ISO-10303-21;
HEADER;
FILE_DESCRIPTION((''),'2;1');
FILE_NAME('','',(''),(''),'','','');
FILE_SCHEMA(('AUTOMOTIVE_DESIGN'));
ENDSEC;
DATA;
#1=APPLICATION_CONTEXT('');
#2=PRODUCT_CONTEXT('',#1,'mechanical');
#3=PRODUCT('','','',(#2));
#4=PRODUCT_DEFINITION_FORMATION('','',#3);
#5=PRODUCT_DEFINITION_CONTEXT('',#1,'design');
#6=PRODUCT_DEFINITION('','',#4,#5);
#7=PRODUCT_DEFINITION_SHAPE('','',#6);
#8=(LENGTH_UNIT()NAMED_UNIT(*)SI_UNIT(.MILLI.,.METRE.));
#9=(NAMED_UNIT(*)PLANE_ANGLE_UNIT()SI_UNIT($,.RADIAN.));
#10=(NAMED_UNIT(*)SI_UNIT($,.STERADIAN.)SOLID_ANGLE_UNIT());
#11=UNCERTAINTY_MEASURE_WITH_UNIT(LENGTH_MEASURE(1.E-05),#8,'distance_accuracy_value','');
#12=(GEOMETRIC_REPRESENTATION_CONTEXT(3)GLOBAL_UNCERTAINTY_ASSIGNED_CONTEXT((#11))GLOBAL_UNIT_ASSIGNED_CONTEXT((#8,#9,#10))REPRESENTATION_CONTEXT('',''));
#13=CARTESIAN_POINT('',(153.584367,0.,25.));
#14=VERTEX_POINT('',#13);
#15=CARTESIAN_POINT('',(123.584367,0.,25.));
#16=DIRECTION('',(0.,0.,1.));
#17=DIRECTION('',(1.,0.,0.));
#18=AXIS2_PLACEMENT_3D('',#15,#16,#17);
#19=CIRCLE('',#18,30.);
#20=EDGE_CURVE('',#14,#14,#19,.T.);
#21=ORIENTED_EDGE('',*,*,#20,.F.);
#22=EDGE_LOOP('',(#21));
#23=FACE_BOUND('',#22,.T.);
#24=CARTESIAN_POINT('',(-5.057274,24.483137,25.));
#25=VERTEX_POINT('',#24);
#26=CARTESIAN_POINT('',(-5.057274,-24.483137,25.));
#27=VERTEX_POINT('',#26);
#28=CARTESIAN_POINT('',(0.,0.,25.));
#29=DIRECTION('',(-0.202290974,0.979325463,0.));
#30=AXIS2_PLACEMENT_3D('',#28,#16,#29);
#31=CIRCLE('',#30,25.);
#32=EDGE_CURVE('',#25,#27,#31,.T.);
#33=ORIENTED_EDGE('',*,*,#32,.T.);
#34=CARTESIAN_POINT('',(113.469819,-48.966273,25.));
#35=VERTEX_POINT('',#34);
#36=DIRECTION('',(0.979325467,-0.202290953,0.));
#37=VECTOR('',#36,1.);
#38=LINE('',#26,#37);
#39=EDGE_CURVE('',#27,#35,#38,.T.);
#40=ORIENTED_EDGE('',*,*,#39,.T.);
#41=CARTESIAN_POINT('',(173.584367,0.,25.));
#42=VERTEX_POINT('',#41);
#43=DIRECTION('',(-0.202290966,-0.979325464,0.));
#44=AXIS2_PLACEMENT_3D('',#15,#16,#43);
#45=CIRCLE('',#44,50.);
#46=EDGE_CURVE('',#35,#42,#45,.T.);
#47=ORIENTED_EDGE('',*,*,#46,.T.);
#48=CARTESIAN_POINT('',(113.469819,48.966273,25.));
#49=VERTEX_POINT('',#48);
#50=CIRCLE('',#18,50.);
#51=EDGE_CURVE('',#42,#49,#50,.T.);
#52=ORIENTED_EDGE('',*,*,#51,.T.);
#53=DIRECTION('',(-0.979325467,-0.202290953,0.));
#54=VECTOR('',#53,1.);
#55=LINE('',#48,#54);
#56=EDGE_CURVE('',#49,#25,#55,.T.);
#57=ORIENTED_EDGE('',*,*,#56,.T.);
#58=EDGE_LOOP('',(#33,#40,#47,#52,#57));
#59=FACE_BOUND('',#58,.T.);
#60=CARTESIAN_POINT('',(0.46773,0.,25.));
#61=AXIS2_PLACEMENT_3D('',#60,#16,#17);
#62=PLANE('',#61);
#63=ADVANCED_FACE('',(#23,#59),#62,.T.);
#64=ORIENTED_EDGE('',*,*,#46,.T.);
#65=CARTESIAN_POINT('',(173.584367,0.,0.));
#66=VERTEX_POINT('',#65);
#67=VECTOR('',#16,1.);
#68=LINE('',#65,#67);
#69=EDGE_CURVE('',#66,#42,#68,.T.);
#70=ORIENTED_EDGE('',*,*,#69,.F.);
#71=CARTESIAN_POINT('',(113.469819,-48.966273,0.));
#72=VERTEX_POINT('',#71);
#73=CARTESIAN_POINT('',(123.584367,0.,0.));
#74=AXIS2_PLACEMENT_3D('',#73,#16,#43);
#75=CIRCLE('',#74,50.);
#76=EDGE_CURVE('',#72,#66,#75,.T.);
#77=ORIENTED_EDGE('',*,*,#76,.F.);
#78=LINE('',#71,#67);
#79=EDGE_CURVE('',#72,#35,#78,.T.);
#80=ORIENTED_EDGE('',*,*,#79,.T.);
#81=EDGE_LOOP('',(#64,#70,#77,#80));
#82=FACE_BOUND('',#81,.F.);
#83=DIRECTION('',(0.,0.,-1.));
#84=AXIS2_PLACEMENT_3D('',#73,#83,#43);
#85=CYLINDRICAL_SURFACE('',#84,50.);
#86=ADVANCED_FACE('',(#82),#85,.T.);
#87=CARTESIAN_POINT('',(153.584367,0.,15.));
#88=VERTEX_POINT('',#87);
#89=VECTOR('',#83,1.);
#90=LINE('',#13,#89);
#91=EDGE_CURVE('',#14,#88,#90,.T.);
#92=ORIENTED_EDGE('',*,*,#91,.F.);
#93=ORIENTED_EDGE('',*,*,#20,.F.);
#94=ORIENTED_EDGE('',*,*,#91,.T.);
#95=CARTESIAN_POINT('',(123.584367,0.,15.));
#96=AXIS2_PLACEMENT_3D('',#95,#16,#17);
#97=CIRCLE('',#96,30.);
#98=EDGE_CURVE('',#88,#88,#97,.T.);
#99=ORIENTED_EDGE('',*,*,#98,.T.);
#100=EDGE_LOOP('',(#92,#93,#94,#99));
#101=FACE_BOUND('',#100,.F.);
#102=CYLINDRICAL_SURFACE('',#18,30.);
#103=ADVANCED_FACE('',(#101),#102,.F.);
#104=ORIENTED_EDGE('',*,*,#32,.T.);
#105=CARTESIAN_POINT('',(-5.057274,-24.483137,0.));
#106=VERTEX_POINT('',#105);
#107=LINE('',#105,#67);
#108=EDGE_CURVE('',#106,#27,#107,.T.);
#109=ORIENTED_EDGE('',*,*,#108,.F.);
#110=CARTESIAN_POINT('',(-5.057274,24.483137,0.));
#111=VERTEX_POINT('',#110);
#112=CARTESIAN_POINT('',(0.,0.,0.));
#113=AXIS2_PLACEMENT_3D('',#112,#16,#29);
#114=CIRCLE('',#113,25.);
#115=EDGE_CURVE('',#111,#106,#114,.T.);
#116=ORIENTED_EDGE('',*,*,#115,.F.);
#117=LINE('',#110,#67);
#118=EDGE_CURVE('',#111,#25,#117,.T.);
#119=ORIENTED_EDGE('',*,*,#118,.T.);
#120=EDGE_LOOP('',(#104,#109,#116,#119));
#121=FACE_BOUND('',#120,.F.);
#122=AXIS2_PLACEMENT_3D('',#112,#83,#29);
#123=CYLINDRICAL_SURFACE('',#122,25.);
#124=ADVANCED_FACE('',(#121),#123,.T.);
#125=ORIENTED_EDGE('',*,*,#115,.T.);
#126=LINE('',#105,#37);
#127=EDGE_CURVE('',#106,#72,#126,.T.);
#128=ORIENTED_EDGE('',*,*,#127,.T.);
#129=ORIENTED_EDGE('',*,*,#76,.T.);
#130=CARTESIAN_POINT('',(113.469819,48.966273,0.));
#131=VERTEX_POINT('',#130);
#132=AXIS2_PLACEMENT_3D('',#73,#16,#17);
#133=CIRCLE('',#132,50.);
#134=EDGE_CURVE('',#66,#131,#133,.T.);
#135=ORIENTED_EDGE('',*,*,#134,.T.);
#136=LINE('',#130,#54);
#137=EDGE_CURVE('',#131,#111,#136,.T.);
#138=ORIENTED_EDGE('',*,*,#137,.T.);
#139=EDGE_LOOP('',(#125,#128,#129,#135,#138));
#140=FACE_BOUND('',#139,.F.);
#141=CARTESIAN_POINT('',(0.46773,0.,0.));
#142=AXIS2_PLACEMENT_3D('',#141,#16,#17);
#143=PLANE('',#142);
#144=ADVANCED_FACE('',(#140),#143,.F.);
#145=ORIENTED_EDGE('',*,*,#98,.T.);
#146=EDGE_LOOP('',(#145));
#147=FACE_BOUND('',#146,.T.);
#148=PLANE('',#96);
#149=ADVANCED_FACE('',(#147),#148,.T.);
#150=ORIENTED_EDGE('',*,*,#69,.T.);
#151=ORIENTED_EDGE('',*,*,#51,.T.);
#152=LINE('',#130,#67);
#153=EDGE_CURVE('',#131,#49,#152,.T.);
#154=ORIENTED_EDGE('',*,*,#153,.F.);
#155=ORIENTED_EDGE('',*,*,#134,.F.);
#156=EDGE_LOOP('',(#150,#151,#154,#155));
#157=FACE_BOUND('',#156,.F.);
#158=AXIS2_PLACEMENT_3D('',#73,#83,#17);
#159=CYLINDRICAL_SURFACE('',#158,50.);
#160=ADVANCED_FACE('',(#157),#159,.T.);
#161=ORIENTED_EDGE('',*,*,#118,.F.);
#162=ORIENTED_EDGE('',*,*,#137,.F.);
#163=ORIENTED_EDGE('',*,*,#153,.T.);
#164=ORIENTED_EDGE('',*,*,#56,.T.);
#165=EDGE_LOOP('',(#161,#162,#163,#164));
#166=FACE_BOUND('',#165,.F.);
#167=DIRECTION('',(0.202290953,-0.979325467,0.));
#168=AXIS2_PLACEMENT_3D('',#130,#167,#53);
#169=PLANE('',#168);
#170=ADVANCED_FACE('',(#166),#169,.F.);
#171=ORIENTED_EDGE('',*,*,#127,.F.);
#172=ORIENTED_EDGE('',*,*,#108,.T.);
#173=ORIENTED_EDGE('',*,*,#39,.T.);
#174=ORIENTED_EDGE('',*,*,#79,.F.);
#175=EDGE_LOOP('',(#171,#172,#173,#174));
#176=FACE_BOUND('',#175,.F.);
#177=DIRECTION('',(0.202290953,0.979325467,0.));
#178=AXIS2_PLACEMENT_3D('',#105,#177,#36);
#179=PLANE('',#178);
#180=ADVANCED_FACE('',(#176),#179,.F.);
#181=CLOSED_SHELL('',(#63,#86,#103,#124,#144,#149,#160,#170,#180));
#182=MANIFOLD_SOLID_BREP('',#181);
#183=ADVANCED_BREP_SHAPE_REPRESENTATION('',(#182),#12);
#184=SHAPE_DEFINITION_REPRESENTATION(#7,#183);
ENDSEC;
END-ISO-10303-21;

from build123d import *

# Parameters (mm, degrees)
F1_DEPTH = 25
F2_R     = 30
F3_DEPTH = 10


with BuildPart() as f1:
    # F0 (on Top) → F1 (new body)
    with BuildSketch(Plane.XY):
        with BuildLine():
            ThreePointArc((-5.057274, -24.483137), (15.788733, -19.383393), (25, 0))
            ThreePointArc((25, 0), (15.788733, 19.383393), (-5.057274, 24.483137))
            ThreePointArc((-5.057274, 24.483137), (-25, 0), (-5.057274, -24.483137))
        make_face()
        with BuildLine():
            ThreePointArc((-5.057274, 24.483137), (15.788733, 19.383393), (25, 0))
            ThreePointArc((25, 0), (15.788733, -19.383393), (-5.057274, -24.483137))
            Line((-5.057274, -24.483137), (113.469819, -48.966273))
            ThreePointArc((113.469819, -48.966273), (73.584367, 0), (113.469819, 48.966273))
            Line((113.469819, 48.966273), (-5.057274, 24.483137))
        make_face()
        with BuildLine():
            ThreePointArc((173.584367, 0), (155.161832, 38.766786), (113.469819, 48.966273))
            ThreePointArc((113.469819, 48.966273), (73.584367, 0), (113.469819, -48.966273))
            ThreePointArc((113.469819, -48.966273), (155.161832, -38.766786), (173.584367, 0))
        make_face()
    extrude(amount=F1_DEPTH)

    # F2 (on face) → F3 (cut)
    with BuildSketch(Plane.XY.offset(25)):
        with Locations((123.584367, 0)):
            Circle(F2_R)
    extrude(amount=-F3_DEPTH, mode=Mode.SUBTRACT)


solid = f1.part
